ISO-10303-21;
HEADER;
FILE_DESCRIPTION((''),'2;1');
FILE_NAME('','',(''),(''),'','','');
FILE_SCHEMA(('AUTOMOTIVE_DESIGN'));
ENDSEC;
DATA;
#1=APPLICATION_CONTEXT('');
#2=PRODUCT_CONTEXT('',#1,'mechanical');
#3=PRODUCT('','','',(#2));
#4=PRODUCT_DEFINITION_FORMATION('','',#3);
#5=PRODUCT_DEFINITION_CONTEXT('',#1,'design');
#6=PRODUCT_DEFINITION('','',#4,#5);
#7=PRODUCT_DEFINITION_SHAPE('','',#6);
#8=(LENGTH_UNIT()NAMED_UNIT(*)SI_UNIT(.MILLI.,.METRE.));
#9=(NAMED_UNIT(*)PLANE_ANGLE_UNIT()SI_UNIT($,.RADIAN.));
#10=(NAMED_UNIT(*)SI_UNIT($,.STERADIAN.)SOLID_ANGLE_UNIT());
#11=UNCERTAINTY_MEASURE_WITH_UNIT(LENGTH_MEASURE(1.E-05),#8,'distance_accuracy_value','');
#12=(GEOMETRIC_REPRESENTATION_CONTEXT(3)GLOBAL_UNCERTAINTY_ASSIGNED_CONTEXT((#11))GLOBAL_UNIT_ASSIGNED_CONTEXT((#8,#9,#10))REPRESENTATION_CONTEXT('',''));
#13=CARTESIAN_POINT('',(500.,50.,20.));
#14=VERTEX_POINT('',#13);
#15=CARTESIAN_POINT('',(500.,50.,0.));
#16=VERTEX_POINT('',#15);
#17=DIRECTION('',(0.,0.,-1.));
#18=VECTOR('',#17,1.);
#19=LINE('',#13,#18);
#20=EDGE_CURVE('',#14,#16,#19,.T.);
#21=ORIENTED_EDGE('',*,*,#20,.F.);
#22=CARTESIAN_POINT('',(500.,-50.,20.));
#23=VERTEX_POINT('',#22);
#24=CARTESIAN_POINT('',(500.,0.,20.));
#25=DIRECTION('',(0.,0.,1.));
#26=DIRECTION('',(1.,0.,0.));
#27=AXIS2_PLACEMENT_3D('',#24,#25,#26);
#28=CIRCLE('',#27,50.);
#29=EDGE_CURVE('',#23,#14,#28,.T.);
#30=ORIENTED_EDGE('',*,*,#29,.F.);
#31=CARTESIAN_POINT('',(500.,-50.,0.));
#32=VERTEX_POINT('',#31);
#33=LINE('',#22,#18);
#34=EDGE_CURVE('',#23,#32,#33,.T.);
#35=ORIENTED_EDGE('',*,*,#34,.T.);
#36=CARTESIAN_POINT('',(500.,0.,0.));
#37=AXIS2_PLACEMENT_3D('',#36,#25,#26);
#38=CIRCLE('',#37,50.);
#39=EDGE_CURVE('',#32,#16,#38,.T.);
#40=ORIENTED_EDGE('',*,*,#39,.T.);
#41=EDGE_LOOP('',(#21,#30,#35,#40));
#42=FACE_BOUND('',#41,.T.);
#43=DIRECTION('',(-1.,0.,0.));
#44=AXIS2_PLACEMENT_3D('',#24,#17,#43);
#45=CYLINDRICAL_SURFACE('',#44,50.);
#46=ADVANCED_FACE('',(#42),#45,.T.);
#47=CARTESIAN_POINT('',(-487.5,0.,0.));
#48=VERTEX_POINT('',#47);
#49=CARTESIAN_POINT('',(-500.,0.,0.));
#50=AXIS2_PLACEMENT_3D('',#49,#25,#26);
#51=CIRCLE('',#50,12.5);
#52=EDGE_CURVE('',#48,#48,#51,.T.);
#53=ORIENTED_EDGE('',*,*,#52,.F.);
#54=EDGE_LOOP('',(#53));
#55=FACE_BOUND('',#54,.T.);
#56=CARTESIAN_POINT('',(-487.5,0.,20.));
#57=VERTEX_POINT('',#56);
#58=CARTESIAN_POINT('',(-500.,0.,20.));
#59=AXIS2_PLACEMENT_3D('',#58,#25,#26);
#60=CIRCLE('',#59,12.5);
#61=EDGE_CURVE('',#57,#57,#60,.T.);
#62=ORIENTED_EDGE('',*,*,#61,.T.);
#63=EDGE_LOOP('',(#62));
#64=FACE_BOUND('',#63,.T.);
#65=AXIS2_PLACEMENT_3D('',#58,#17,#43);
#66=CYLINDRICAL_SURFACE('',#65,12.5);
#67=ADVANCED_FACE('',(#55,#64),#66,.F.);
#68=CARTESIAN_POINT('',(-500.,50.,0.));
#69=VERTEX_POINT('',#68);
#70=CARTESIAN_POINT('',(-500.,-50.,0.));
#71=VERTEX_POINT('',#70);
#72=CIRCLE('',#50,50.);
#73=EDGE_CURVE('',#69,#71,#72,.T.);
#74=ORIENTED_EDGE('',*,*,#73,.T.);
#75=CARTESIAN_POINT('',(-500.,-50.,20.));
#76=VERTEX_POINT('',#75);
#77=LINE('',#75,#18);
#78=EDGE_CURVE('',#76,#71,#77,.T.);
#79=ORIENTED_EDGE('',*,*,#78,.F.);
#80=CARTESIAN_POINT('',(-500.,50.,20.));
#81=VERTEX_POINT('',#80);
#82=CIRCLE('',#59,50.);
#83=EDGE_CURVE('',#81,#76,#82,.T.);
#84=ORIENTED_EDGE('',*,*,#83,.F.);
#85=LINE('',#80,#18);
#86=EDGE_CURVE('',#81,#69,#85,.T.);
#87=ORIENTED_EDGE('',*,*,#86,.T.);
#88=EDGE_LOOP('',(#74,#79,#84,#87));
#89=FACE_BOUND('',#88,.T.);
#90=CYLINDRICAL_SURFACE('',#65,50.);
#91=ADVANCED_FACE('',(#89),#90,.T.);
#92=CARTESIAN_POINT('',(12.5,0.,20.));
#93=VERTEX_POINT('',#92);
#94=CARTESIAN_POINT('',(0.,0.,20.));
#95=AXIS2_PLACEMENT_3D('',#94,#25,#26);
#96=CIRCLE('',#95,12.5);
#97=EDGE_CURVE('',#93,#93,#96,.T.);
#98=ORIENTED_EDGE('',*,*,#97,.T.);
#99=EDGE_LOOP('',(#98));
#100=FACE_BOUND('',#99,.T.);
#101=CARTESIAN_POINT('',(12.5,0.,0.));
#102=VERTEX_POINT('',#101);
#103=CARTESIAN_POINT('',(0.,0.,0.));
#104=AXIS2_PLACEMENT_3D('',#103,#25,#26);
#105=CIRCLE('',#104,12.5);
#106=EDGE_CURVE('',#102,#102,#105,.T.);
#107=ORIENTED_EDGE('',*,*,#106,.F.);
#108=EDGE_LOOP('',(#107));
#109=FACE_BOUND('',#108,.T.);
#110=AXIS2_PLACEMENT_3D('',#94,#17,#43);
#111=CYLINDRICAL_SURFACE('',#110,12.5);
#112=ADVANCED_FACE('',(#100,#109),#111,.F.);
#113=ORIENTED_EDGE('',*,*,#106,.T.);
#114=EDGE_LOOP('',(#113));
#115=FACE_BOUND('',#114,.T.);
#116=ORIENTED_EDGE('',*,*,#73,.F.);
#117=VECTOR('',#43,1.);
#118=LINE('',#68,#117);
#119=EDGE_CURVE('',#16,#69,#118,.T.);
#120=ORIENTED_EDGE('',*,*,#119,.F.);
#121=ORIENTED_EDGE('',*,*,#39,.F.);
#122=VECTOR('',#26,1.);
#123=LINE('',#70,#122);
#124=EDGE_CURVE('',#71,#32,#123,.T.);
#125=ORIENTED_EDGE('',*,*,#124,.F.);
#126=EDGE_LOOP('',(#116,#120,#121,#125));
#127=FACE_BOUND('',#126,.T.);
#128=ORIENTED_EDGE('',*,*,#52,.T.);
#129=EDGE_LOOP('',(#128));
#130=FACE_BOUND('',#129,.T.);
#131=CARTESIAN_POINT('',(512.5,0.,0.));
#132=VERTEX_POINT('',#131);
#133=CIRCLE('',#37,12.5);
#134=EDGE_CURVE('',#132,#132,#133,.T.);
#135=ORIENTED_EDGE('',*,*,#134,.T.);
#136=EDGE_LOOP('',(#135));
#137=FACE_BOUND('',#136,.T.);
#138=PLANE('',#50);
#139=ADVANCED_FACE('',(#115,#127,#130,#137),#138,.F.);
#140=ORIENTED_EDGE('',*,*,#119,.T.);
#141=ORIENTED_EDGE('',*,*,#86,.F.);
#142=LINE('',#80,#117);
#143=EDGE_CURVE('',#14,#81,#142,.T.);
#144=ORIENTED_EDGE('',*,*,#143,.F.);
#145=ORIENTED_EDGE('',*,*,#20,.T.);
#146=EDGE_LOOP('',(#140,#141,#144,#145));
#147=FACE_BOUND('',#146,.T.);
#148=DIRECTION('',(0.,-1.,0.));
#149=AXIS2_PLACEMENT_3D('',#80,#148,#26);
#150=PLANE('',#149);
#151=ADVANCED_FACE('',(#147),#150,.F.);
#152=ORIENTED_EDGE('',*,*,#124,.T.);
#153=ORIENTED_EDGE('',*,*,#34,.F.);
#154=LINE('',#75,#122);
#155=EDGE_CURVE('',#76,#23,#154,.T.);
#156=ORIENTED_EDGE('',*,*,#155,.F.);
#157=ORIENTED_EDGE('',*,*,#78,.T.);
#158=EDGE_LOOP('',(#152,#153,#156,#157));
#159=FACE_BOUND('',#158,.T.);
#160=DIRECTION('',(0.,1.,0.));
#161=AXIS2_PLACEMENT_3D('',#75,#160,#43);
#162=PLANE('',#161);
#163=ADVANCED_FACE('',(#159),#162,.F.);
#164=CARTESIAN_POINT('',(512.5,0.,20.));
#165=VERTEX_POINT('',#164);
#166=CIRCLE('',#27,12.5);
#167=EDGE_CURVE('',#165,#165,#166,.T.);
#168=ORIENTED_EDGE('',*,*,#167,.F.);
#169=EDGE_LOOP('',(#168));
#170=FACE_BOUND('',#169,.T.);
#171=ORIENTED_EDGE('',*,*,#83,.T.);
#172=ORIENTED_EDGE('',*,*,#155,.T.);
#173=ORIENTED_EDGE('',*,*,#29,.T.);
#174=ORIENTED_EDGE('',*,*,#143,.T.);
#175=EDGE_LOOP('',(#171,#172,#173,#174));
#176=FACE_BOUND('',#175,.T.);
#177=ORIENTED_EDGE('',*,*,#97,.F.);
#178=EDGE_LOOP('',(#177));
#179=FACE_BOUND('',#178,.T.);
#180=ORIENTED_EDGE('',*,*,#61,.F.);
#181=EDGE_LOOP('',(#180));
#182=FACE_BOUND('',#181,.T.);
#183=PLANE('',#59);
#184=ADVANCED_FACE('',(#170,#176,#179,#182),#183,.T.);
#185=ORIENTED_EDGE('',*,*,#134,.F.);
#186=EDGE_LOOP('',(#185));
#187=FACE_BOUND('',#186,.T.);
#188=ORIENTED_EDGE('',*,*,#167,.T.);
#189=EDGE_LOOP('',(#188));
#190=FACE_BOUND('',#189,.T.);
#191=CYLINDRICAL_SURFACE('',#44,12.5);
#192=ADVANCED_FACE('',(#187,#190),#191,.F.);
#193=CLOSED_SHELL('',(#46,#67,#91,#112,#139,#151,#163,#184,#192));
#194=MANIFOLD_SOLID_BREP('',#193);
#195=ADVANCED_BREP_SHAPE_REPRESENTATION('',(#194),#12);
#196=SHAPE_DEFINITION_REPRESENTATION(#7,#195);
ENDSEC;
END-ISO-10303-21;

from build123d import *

# Parameters (mm, degrees)
SKETCH1_R           = 12.5
BOSS_EXTRUDE1_DEPTH = 20


with BuildPart() as part:
    # Sketch1 → Boss-Extrude1 (new body)
    with BuildSketch(Plane.XY):
        with BuildLine():
            Line((-500, 50), (500, 50))
            ThreePointArc((500, 50), (550, 0), (500, -50))
            Line((500, -50), (-500, -50))
            ThreePointArc((-500, -50), (-550, 0), (-500, 50))
        make_face()
        with Locations((-500, 0)):
            Circle(SKETCH1_R, mode=Mode.SUBTRACT)
        with Locations((500, 0)):
            Circle(SKETCH1_R, mode=Mode.SUBTRACT)
        Circle(SKETCH1_R, mode=Mode.SUBTRACT)
    extrude(amount=BOSS_EXTRUDE1_DEPTH)


solid = part.part
